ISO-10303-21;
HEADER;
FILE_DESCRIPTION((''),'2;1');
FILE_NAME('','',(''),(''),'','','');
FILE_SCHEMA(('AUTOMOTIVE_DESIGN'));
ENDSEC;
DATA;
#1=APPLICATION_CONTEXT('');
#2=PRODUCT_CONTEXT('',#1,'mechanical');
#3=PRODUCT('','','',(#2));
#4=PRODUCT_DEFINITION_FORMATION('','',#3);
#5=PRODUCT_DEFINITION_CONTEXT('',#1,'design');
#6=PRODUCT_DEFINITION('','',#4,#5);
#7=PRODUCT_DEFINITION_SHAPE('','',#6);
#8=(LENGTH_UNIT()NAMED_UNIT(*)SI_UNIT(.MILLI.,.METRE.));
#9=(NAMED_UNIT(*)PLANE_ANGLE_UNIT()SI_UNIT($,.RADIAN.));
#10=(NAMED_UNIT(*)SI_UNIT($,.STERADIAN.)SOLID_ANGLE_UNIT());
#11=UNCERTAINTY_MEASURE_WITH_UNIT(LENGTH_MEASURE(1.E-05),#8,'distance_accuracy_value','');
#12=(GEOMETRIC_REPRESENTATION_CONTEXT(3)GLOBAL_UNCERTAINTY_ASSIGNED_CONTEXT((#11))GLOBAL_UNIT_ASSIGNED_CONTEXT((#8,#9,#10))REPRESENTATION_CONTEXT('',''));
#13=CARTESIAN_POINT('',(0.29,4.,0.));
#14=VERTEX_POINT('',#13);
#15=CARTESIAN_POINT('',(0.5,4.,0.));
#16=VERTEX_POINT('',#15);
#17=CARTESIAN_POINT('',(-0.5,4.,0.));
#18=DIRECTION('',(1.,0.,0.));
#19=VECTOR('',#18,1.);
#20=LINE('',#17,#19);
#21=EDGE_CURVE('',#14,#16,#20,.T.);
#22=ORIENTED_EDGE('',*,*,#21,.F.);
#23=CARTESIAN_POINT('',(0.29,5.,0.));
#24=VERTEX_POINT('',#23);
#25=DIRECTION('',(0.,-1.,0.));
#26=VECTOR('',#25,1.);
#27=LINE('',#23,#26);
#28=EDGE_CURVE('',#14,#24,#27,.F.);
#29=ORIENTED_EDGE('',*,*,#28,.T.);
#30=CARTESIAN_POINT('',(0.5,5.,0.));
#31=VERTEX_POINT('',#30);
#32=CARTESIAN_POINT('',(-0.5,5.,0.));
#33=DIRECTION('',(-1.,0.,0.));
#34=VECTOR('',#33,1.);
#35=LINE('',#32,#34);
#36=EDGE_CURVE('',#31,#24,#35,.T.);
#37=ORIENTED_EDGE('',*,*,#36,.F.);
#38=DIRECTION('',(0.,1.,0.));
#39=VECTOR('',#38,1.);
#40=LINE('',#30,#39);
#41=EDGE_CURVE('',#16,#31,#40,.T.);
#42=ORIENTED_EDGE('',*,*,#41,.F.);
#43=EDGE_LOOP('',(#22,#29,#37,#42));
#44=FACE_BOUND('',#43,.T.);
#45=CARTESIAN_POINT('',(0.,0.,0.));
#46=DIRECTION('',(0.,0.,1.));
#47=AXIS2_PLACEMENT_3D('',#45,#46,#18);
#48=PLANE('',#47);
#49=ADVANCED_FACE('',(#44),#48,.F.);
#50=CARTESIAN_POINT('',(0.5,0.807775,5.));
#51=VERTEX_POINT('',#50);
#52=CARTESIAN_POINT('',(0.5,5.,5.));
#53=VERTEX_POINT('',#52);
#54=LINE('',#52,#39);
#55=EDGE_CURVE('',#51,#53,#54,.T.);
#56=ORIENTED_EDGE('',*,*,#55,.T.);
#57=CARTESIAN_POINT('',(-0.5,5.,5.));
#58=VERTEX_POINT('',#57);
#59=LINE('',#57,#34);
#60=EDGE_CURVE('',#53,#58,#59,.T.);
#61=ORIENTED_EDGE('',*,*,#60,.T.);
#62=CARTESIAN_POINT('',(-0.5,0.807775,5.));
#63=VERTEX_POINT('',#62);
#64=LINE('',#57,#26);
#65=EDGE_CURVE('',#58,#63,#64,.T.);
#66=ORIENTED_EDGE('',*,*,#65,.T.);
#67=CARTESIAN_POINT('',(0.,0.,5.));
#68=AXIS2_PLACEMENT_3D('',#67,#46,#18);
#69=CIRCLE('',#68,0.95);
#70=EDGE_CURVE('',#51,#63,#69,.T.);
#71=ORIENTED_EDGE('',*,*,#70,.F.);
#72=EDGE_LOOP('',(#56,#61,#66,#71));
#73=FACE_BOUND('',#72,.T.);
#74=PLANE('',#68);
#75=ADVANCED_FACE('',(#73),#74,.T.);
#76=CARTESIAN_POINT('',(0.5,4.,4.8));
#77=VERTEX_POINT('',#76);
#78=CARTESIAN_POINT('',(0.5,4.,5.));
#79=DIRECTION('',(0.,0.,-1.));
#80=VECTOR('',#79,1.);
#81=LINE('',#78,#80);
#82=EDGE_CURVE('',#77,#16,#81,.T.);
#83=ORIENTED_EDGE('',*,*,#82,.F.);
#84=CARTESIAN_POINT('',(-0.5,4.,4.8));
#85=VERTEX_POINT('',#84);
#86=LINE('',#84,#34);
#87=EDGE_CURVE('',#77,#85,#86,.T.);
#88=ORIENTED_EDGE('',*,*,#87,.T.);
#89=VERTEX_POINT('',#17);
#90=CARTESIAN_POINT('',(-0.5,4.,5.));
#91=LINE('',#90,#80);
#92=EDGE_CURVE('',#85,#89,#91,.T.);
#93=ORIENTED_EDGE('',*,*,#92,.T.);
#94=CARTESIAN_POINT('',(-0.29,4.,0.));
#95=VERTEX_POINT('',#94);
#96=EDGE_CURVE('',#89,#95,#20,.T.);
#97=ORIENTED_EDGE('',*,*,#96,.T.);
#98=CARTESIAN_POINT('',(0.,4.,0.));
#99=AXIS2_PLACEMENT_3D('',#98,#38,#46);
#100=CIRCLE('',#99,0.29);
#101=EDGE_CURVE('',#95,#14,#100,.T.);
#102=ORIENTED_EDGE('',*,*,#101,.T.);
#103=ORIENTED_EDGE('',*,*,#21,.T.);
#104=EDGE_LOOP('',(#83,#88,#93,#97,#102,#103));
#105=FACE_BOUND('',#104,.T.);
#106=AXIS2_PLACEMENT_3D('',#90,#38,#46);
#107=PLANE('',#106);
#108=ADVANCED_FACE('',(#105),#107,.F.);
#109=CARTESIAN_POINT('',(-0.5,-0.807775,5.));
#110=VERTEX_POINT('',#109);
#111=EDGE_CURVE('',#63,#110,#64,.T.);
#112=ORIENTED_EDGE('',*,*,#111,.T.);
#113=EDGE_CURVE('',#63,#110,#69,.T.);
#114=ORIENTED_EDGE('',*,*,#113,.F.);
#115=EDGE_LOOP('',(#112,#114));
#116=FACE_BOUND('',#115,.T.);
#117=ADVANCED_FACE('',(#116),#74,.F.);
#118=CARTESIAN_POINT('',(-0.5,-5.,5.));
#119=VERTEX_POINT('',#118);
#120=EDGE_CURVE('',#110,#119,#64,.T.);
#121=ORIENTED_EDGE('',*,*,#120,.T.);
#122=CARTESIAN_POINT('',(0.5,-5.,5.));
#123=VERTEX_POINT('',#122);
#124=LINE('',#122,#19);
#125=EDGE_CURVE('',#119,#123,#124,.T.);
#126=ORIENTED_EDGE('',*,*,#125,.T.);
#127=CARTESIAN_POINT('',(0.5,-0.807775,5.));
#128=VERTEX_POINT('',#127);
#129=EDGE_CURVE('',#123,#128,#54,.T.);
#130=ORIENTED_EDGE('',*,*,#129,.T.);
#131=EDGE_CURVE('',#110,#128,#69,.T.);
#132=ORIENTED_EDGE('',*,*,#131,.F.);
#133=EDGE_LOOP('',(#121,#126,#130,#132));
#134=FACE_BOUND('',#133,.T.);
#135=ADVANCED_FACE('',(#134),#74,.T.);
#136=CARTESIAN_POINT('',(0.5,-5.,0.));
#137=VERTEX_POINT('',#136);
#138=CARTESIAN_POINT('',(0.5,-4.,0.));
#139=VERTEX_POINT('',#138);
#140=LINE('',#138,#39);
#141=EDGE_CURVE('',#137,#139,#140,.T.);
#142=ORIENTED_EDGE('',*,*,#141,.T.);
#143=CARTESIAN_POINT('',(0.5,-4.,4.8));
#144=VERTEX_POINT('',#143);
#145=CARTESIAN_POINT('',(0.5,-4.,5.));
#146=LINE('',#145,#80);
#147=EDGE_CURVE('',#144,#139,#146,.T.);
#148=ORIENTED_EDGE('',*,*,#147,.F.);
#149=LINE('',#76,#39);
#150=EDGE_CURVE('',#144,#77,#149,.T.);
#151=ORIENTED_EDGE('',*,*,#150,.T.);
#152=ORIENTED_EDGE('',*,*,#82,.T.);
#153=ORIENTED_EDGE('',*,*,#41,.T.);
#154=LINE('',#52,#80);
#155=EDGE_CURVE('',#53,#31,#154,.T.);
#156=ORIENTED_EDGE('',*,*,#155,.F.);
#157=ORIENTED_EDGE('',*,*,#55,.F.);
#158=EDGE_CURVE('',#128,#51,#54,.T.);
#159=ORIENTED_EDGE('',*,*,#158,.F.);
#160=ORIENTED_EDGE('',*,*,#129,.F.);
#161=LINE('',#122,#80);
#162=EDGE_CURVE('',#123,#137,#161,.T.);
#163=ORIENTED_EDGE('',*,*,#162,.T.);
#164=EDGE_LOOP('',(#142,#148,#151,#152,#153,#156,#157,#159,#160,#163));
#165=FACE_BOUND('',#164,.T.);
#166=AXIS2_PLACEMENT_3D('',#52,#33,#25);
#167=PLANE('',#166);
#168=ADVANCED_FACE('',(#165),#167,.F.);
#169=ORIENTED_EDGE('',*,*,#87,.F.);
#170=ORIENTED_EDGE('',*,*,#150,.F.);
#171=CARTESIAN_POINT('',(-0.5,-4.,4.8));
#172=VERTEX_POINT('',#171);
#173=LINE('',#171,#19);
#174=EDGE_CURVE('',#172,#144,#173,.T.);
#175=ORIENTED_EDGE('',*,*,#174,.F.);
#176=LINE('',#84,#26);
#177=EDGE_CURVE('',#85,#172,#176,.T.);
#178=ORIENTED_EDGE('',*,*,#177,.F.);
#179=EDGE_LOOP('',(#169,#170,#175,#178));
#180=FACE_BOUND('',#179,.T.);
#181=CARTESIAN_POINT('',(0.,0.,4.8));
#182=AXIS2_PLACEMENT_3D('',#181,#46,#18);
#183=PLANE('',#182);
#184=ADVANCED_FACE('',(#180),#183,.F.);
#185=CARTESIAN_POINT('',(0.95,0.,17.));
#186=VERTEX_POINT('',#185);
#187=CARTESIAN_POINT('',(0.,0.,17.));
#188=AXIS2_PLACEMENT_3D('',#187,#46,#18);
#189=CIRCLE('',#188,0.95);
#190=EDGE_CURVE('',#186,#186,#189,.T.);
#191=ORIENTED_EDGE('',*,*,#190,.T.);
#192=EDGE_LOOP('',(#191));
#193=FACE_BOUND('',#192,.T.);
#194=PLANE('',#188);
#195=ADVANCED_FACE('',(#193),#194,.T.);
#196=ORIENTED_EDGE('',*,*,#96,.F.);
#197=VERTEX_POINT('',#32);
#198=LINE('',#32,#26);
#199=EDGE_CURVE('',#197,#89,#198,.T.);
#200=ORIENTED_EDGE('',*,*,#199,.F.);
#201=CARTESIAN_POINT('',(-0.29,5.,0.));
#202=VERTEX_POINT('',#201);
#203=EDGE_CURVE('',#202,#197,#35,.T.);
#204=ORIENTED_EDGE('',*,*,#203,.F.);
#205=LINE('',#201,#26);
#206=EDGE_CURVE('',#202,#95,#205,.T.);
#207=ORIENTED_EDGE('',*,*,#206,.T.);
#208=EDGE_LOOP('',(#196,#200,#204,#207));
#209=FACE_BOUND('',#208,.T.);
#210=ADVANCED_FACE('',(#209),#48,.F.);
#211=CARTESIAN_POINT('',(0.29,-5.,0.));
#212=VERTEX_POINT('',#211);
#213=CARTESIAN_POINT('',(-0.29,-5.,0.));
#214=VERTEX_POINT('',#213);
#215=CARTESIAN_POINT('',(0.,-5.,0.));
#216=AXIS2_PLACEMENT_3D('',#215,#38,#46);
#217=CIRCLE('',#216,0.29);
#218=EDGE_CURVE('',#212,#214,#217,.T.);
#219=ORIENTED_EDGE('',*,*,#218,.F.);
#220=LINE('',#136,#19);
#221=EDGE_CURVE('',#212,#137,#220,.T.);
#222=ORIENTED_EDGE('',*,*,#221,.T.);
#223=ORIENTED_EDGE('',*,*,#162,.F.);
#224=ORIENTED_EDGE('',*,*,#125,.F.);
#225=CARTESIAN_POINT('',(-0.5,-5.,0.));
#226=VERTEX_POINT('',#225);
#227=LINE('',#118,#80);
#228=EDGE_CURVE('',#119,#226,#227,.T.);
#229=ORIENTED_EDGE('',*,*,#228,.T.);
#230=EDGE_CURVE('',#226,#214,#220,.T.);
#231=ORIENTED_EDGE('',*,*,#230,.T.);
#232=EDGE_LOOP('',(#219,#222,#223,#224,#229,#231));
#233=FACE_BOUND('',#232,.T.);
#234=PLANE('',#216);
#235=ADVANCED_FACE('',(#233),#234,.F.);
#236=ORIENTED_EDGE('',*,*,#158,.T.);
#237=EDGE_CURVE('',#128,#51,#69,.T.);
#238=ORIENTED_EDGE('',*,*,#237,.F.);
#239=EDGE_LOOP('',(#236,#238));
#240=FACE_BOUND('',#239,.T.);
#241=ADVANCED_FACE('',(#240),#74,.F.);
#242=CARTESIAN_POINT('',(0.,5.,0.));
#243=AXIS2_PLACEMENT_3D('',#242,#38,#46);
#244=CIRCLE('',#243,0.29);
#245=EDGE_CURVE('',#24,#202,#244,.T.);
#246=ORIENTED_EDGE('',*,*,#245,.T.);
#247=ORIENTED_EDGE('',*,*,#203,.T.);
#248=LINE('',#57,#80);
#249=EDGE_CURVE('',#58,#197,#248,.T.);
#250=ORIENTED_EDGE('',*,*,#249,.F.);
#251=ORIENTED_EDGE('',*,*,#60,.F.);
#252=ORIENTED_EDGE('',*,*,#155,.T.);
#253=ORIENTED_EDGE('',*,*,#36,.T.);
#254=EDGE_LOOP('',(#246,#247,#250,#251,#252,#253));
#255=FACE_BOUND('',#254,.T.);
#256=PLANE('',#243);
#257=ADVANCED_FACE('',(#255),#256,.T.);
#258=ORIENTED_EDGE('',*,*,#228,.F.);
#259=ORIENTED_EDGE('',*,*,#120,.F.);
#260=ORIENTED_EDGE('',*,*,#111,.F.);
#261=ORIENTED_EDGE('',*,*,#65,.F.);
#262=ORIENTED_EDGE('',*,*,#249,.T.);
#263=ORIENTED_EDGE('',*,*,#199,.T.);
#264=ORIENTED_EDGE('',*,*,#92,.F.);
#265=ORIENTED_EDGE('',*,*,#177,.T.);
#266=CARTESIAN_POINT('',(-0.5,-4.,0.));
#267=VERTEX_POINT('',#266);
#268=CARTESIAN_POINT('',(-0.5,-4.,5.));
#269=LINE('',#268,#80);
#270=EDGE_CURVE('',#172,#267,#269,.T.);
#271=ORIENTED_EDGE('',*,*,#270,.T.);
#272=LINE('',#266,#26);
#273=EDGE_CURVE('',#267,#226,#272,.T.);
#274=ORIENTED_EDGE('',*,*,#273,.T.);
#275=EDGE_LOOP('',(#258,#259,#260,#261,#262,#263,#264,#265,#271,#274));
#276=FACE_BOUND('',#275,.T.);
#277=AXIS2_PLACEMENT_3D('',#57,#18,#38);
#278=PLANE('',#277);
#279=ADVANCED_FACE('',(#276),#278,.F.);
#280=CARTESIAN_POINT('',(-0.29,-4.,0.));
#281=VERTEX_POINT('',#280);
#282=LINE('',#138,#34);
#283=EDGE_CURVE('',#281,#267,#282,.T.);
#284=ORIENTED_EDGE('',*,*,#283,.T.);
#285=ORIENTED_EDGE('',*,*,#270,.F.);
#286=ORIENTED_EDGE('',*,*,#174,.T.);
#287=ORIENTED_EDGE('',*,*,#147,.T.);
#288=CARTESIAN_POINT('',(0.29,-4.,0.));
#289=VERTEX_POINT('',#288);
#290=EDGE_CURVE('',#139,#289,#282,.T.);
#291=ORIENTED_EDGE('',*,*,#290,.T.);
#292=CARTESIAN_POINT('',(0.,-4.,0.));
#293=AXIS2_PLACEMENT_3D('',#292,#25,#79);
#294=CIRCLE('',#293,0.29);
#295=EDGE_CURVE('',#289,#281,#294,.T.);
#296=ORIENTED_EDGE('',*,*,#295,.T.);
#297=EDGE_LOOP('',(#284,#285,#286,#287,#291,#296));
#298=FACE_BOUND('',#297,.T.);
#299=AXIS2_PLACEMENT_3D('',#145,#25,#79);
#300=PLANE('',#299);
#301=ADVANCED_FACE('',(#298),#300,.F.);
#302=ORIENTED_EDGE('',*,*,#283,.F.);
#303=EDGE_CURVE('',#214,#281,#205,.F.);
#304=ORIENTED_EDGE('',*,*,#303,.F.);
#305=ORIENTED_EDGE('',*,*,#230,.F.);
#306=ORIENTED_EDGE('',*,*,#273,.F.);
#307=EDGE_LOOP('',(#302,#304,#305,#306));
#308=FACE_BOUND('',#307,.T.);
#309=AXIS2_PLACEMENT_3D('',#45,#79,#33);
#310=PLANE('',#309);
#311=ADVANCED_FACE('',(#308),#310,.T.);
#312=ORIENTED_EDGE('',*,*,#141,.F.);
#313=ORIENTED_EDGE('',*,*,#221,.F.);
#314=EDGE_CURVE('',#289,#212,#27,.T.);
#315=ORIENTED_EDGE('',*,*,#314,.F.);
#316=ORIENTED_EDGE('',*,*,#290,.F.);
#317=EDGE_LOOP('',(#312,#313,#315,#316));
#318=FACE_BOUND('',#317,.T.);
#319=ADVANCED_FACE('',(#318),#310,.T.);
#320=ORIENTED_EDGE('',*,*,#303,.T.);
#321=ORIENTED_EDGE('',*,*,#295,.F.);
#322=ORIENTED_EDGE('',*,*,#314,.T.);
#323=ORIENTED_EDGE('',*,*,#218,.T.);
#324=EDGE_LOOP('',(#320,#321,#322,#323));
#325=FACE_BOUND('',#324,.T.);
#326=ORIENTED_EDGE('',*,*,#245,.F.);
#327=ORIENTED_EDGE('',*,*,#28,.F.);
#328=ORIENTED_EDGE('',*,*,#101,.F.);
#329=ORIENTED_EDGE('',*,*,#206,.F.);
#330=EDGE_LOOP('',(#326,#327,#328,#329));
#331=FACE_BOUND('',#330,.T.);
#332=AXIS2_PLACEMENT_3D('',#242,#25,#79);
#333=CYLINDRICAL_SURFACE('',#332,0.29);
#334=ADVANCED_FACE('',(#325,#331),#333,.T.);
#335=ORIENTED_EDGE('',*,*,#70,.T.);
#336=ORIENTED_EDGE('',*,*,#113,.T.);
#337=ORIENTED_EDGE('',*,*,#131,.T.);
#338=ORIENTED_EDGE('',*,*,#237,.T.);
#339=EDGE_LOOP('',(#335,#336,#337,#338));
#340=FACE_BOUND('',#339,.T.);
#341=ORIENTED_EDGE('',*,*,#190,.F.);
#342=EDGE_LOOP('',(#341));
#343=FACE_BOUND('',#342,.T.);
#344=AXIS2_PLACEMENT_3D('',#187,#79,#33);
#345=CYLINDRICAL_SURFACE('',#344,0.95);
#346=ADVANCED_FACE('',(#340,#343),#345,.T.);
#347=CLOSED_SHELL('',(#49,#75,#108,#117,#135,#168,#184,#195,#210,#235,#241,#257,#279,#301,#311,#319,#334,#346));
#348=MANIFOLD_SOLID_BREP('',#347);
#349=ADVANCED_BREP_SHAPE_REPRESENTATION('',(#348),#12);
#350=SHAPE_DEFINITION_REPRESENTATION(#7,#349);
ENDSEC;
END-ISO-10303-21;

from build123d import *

# Parameters (mm, degrees)
SKETCH_1_R      = 0.29
EXTRUDE_1_DEPTH = 5
SKETCH_2_W      = 1
SKETCH_2_H      = 1
EXTRUDE_2_DEPTH = 5
SKETCH_3_W      = 1
SKETCH_3_H      = 8
EXTRUDE_3_DEPTH = 0.2
SKETCH_4_R      = 0.95
EXTRUDE_4_DEPTH = 12


with BuildPart() as part:
    # 草图1 → 凸台-拉伸1 (new, symmetric)
    with BuildSketch(Plane(origin=(0, 0, 0), x_dir=(1, 0, 0), z_dir=(0, 1, 0))):
        with Locations(Location((0, 0, 0), (0, 0, 270))):
            Circle(SKETCH_1_R)
    extrude(amount=EXTRUDE_1_DEPTH, both=True)

    # 草图2 → 凸台-拉伸2 (add)
    with BuildSketch(Plane.XY):
        with Locations((0, 4.5)):
            Rectangle(SKETCH_2_W, SKETCH_2_H)
        with Locations((0, -4.5)):
            Rectangle(SKETCH_2_W, SKETCH_2_H)
    extrude(amount=EXTRUDE_2_DEPTH)

    # 草图3 → 凸台-拉伸3 (add)
    with BuildSketch(Plane.XY.offset(5)):
        Rectangle(SKETCH_3_W, SKETCH_3_H)
    extrude(amount=-EXTRUDE_3_DEPTH)

    # 草图4 → 凸台-拉伸4 (add)
    with BuildSketch(Plane.XY.offset(5)):
        with Locations(Location((0, 0, 0), (0, 0, 121.756863859))):
            Circle(SKETCH_4_R)
    extrude(amount=EXTRUDE_4_DEPTH)


solid = part.part
